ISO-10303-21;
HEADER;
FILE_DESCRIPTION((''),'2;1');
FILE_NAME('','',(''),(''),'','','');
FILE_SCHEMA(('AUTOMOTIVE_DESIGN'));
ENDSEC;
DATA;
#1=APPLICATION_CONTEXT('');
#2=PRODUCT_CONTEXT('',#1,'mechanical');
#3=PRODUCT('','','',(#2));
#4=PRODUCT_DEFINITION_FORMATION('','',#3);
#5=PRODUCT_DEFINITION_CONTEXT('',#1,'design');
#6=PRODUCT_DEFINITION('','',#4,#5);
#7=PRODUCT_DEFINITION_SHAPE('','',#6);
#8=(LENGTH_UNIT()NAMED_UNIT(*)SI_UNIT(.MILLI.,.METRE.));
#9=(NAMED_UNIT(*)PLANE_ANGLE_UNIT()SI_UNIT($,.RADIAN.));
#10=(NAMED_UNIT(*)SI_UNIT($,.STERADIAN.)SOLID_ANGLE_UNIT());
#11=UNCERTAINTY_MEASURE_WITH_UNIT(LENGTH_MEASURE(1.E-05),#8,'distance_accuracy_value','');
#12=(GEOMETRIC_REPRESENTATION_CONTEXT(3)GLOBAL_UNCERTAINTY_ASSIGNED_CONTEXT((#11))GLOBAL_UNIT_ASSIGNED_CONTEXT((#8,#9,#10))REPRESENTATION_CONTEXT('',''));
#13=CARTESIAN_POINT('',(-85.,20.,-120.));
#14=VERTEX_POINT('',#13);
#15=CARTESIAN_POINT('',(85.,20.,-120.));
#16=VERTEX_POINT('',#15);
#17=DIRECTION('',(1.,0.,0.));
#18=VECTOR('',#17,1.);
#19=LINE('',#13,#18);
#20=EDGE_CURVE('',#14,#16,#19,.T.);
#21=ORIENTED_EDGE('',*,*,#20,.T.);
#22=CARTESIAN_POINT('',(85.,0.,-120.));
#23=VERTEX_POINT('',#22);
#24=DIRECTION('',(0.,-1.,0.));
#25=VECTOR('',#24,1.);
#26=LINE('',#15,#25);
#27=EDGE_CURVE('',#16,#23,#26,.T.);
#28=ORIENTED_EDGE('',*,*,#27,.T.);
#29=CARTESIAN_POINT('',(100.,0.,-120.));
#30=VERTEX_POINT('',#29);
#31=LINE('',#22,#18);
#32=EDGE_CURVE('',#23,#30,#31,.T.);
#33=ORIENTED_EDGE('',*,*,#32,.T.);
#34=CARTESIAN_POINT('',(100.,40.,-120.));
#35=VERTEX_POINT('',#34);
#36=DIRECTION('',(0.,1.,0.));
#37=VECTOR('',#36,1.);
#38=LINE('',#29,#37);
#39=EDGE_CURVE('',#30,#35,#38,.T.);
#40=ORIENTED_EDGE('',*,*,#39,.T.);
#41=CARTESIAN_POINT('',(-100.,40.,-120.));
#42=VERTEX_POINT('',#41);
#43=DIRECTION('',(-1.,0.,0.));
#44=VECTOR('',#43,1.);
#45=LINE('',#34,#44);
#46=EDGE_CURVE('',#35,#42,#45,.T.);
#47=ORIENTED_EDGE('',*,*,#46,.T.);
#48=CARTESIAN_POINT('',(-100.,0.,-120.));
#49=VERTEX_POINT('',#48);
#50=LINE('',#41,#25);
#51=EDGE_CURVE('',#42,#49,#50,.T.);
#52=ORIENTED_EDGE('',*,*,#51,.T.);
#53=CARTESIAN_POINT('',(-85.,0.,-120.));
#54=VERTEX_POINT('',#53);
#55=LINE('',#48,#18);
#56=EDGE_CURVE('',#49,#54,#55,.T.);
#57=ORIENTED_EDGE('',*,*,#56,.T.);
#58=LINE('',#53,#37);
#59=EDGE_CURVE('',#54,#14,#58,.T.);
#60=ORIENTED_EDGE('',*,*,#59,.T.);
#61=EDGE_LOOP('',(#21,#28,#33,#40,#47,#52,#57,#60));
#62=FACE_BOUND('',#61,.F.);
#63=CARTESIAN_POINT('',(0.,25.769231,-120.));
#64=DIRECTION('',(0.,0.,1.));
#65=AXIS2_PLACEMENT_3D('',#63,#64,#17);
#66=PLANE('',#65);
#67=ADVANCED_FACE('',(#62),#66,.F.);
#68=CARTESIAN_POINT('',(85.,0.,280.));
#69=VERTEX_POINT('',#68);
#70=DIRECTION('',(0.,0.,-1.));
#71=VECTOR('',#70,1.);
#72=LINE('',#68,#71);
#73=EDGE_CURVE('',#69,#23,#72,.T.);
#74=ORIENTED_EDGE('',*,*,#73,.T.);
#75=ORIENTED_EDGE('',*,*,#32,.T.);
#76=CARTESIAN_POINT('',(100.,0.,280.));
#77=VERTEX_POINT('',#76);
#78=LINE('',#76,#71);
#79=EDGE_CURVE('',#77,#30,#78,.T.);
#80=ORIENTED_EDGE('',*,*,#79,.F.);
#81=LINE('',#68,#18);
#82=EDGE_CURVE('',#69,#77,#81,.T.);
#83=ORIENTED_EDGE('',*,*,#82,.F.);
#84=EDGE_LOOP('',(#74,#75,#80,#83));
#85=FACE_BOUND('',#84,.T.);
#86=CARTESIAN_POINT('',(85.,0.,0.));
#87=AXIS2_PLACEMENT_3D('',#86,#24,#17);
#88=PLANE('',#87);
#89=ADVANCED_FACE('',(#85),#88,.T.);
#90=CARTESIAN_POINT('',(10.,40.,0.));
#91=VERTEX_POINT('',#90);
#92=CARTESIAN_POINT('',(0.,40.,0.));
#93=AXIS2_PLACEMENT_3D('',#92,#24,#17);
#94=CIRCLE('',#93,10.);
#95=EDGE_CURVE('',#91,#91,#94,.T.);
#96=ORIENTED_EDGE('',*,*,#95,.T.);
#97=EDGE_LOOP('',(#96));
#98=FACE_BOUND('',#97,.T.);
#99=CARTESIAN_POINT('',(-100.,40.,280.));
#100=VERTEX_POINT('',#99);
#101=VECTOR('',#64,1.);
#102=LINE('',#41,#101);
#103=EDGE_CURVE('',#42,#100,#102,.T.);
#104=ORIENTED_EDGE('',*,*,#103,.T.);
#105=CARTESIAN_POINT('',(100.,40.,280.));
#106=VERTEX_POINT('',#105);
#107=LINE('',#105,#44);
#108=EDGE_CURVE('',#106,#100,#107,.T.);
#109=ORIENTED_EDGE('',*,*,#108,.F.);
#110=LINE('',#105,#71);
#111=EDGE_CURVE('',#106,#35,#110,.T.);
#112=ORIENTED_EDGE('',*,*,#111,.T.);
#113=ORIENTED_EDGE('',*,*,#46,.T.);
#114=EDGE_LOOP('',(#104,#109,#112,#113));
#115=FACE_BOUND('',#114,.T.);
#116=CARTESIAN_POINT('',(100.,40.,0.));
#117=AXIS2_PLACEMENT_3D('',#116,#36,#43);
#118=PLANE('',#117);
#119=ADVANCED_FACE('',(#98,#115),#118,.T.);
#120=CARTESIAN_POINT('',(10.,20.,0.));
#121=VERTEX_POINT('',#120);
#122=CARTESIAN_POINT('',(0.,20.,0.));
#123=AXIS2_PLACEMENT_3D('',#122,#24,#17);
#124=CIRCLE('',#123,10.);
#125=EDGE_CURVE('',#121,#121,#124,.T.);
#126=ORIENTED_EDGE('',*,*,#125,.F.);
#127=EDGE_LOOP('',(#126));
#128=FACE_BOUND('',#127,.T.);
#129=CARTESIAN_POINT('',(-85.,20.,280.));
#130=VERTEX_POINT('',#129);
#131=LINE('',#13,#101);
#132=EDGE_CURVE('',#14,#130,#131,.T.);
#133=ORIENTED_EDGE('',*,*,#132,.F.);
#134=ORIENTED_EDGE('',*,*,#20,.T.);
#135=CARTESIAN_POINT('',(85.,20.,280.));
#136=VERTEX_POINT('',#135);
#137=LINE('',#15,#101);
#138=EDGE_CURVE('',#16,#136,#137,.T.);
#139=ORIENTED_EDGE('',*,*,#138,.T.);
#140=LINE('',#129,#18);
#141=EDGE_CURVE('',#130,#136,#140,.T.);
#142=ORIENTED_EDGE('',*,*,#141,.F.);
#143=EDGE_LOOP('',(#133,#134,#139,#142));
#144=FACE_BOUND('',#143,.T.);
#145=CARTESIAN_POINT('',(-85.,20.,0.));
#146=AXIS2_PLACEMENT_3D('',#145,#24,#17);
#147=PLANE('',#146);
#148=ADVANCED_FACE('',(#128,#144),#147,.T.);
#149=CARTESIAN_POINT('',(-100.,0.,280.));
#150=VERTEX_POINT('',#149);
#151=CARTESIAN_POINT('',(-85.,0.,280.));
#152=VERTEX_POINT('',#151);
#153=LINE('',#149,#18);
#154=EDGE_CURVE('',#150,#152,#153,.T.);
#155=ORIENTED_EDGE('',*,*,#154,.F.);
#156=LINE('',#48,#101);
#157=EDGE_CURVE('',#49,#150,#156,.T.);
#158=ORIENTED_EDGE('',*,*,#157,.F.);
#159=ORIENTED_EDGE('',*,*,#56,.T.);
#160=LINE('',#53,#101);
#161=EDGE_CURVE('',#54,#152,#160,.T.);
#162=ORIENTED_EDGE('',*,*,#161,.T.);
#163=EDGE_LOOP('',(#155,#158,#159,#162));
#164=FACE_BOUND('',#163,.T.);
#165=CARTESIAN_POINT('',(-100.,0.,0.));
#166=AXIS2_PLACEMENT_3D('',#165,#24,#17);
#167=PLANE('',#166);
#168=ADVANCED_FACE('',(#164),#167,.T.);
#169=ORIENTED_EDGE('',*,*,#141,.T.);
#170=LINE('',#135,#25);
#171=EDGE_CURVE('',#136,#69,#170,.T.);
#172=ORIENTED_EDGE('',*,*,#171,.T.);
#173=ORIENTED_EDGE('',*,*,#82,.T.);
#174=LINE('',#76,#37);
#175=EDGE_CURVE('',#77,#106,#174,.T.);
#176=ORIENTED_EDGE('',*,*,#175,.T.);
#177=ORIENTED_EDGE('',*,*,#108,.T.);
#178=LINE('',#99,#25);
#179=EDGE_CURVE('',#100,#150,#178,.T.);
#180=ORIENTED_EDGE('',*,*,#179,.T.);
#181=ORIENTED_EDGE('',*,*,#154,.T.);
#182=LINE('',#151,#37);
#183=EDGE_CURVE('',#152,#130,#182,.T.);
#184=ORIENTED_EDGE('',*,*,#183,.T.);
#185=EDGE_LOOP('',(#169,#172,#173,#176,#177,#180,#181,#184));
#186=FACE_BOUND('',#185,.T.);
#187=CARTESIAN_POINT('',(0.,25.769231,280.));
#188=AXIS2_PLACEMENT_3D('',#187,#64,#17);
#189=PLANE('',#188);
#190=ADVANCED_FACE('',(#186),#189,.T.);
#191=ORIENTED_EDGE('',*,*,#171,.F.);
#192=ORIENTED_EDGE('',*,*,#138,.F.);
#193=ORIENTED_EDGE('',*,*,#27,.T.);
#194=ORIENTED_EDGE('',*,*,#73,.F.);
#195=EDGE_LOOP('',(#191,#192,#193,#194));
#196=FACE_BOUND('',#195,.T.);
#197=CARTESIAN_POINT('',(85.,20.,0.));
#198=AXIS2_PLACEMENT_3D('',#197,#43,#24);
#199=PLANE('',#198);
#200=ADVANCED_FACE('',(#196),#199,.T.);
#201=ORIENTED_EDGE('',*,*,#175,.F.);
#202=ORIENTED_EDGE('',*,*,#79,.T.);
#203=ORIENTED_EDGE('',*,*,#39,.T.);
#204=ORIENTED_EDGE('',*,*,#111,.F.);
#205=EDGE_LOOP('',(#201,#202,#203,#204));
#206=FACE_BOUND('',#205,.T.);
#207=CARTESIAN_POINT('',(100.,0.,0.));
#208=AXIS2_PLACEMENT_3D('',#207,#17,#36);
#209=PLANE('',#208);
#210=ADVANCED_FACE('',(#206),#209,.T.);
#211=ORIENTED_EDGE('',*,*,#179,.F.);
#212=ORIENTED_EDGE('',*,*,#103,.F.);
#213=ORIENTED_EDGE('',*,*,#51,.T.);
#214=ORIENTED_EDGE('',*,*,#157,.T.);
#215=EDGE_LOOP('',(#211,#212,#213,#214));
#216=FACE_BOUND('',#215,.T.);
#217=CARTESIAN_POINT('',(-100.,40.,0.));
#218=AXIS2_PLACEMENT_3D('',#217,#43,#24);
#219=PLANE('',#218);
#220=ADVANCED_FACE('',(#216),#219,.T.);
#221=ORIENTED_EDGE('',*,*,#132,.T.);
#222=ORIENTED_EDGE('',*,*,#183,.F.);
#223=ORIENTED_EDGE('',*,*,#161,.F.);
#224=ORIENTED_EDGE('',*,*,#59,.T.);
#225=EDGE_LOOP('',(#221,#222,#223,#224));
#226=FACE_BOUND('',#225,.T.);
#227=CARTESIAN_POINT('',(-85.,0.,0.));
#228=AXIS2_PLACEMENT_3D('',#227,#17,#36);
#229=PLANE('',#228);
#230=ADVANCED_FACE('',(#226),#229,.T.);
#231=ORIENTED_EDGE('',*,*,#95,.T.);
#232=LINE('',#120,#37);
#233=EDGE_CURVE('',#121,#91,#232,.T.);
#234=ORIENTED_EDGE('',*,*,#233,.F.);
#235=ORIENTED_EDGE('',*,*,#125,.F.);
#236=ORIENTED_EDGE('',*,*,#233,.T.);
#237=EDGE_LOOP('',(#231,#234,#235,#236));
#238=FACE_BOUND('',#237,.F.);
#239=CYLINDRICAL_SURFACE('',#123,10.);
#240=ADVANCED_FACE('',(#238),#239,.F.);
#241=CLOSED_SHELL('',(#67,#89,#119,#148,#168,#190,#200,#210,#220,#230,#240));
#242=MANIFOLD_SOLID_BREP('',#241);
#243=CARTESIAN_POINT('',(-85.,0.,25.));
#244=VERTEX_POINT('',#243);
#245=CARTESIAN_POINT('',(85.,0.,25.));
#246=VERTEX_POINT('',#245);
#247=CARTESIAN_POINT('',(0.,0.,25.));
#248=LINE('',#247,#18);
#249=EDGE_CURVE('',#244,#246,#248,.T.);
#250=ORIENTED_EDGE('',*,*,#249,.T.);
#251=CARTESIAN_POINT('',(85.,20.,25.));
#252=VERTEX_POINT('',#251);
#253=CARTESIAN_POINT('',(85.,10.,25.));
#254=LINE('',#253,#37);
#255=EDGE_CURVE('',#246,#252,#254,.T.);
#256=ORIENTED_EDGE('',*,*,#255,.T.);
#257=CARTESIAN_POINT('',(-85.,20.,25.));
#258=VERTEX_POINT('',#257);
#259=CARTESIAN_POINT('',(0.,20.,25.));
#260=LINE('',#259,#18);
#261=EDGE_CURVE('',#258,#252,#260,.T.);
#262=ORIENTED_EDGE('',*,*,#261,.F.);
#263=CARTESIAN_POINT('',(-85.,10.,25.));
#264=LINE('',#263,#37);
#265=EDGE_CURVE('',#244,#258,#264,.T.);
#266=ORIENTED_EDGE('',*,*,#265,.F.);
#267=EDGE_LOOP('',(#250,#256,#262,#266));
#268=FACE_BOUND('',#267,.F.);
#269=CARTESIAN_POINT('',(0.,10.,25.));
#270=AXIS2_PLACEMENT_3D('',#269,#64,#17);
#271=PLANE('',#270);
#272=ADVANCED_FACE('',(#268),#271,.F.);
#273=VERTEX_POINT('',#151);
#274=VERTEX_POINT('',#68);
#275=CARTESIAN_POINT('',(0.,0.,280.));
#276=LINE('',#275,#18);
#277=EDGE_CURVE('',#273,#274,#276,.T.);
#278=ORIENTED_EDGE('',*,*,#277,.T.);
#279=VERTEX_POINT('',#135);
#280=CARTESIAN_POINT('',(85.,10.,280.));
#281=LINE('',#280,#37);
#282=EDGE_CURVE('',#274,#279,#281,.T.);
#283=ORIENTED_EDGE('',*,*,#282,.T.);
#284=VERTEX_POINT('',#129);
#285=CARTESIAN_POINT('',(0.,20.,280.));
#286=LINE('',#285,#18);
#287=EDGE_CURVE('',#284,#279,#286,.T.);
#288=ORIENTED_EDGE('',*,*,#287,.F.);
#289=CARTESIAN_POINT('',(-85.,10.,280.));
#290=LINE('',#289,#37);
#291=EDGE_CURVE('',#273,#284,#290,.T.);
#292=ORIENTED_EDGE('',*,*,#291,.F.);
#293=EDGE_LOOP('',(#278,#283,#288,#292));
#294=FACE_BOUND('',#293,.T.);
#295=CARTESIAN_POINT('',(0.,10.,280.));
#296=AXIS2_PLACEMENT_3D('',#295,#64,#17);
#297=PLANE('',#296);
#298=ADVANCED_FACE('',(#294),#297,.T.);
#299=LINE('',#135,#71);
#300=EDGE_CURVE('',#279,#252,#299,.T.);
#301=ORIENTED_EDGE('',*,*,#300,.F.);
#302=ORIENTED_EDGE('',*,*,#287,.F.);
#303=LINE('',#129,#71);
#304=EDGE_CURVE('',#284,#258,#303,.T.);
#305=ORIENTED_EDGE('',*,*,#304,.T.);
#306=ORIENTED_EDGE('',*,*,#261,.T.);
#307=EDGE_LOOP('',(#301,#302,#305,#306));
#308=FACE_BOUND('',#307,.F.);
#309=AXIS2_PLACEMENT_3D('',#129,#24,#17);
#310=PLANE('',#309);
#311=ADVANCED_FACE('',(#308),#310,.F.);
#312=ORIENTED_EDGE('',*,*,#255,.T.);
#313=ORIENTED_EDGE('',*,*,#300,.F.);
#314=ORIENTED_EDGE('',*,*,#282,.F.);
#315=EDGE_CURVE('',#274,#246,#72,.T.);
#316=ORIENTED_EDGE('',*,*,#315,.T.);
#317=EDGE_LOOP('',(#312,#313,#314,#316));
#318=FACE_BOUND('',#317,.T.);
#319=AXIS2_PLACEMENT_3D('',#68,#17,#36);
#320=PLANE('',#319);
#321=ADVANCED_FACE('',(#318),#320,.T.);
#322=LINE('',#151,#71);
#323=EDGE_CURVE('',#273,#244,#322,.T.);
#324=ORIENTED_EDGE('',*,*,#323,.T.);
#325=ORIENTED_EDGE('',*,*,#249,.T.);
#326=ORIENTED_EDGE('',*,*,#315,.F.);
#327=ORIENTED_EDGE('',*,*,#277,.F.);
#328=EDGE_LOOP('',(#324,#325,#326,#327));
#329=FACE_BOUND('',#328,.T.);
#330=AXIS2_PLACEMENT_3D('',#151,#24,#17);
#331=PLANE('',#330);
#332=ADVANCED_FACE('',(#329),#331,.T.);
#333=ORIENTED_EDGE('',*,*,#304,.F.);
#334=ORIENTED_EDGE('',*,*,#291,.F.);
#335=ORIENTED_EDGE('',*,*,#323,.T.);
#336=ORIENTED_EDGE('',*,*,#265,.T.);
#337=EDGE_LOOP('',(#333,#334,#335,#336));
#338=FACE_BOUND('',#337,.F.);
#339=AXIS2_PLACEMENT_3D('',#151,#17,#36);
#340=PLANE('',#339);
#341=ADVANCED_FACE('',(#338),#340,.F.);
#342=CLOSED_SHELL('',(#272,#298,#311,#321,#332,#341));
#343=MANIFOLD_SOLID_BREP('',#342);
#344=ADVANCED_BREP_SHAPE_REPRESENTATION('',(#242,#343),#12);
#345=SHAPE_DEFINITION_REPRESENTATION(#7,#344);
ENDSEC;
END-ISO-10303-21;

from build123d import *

# Parameters (mm, degrees)
F1_DEPTH      = 280
F1_DEPTH_BACK = 120
F2_R          = 10
F3_DEPTH      = 20
F4_W          = 170
F4_H          = 20
F5_DEPTH      = 255


with BuildPart() as f1:
    # F0 (on Top) → F1 (new body, two sides)
    with BuildSketch(Plane.XY) as f1_sk:
        Polygon((100, 40), (0, 40), (-100, 40), (-100, 0), (-85, 0), (-85, 20), (0, 20), (85, 20), (85, 0), (100, 0), align=None)
    extrude(amount=F1_DEPTH)
    extrude(f1_sk.sketch, amount=-F1_DEPTH_BACK)

    # F2 (on face) → F3 (cut)
    with BuildSketch(Plane.XZ.offset(-20)):
        Circle(F2_R)
    extrude(amount=-F3_DEPTH, mode=Mode.SUBTRACT)


with BuildPart() as f5:
    # F4 (on face) → F5 (new body)
    with BuildSketch(Plane.XY.offset(280)):
        with Locations((0, 10)):
            Rectangle(F4_W, F4_H)
    extrude(amount=-F5_DEPTH)


solid = Compound([f1.part, f5.part])
